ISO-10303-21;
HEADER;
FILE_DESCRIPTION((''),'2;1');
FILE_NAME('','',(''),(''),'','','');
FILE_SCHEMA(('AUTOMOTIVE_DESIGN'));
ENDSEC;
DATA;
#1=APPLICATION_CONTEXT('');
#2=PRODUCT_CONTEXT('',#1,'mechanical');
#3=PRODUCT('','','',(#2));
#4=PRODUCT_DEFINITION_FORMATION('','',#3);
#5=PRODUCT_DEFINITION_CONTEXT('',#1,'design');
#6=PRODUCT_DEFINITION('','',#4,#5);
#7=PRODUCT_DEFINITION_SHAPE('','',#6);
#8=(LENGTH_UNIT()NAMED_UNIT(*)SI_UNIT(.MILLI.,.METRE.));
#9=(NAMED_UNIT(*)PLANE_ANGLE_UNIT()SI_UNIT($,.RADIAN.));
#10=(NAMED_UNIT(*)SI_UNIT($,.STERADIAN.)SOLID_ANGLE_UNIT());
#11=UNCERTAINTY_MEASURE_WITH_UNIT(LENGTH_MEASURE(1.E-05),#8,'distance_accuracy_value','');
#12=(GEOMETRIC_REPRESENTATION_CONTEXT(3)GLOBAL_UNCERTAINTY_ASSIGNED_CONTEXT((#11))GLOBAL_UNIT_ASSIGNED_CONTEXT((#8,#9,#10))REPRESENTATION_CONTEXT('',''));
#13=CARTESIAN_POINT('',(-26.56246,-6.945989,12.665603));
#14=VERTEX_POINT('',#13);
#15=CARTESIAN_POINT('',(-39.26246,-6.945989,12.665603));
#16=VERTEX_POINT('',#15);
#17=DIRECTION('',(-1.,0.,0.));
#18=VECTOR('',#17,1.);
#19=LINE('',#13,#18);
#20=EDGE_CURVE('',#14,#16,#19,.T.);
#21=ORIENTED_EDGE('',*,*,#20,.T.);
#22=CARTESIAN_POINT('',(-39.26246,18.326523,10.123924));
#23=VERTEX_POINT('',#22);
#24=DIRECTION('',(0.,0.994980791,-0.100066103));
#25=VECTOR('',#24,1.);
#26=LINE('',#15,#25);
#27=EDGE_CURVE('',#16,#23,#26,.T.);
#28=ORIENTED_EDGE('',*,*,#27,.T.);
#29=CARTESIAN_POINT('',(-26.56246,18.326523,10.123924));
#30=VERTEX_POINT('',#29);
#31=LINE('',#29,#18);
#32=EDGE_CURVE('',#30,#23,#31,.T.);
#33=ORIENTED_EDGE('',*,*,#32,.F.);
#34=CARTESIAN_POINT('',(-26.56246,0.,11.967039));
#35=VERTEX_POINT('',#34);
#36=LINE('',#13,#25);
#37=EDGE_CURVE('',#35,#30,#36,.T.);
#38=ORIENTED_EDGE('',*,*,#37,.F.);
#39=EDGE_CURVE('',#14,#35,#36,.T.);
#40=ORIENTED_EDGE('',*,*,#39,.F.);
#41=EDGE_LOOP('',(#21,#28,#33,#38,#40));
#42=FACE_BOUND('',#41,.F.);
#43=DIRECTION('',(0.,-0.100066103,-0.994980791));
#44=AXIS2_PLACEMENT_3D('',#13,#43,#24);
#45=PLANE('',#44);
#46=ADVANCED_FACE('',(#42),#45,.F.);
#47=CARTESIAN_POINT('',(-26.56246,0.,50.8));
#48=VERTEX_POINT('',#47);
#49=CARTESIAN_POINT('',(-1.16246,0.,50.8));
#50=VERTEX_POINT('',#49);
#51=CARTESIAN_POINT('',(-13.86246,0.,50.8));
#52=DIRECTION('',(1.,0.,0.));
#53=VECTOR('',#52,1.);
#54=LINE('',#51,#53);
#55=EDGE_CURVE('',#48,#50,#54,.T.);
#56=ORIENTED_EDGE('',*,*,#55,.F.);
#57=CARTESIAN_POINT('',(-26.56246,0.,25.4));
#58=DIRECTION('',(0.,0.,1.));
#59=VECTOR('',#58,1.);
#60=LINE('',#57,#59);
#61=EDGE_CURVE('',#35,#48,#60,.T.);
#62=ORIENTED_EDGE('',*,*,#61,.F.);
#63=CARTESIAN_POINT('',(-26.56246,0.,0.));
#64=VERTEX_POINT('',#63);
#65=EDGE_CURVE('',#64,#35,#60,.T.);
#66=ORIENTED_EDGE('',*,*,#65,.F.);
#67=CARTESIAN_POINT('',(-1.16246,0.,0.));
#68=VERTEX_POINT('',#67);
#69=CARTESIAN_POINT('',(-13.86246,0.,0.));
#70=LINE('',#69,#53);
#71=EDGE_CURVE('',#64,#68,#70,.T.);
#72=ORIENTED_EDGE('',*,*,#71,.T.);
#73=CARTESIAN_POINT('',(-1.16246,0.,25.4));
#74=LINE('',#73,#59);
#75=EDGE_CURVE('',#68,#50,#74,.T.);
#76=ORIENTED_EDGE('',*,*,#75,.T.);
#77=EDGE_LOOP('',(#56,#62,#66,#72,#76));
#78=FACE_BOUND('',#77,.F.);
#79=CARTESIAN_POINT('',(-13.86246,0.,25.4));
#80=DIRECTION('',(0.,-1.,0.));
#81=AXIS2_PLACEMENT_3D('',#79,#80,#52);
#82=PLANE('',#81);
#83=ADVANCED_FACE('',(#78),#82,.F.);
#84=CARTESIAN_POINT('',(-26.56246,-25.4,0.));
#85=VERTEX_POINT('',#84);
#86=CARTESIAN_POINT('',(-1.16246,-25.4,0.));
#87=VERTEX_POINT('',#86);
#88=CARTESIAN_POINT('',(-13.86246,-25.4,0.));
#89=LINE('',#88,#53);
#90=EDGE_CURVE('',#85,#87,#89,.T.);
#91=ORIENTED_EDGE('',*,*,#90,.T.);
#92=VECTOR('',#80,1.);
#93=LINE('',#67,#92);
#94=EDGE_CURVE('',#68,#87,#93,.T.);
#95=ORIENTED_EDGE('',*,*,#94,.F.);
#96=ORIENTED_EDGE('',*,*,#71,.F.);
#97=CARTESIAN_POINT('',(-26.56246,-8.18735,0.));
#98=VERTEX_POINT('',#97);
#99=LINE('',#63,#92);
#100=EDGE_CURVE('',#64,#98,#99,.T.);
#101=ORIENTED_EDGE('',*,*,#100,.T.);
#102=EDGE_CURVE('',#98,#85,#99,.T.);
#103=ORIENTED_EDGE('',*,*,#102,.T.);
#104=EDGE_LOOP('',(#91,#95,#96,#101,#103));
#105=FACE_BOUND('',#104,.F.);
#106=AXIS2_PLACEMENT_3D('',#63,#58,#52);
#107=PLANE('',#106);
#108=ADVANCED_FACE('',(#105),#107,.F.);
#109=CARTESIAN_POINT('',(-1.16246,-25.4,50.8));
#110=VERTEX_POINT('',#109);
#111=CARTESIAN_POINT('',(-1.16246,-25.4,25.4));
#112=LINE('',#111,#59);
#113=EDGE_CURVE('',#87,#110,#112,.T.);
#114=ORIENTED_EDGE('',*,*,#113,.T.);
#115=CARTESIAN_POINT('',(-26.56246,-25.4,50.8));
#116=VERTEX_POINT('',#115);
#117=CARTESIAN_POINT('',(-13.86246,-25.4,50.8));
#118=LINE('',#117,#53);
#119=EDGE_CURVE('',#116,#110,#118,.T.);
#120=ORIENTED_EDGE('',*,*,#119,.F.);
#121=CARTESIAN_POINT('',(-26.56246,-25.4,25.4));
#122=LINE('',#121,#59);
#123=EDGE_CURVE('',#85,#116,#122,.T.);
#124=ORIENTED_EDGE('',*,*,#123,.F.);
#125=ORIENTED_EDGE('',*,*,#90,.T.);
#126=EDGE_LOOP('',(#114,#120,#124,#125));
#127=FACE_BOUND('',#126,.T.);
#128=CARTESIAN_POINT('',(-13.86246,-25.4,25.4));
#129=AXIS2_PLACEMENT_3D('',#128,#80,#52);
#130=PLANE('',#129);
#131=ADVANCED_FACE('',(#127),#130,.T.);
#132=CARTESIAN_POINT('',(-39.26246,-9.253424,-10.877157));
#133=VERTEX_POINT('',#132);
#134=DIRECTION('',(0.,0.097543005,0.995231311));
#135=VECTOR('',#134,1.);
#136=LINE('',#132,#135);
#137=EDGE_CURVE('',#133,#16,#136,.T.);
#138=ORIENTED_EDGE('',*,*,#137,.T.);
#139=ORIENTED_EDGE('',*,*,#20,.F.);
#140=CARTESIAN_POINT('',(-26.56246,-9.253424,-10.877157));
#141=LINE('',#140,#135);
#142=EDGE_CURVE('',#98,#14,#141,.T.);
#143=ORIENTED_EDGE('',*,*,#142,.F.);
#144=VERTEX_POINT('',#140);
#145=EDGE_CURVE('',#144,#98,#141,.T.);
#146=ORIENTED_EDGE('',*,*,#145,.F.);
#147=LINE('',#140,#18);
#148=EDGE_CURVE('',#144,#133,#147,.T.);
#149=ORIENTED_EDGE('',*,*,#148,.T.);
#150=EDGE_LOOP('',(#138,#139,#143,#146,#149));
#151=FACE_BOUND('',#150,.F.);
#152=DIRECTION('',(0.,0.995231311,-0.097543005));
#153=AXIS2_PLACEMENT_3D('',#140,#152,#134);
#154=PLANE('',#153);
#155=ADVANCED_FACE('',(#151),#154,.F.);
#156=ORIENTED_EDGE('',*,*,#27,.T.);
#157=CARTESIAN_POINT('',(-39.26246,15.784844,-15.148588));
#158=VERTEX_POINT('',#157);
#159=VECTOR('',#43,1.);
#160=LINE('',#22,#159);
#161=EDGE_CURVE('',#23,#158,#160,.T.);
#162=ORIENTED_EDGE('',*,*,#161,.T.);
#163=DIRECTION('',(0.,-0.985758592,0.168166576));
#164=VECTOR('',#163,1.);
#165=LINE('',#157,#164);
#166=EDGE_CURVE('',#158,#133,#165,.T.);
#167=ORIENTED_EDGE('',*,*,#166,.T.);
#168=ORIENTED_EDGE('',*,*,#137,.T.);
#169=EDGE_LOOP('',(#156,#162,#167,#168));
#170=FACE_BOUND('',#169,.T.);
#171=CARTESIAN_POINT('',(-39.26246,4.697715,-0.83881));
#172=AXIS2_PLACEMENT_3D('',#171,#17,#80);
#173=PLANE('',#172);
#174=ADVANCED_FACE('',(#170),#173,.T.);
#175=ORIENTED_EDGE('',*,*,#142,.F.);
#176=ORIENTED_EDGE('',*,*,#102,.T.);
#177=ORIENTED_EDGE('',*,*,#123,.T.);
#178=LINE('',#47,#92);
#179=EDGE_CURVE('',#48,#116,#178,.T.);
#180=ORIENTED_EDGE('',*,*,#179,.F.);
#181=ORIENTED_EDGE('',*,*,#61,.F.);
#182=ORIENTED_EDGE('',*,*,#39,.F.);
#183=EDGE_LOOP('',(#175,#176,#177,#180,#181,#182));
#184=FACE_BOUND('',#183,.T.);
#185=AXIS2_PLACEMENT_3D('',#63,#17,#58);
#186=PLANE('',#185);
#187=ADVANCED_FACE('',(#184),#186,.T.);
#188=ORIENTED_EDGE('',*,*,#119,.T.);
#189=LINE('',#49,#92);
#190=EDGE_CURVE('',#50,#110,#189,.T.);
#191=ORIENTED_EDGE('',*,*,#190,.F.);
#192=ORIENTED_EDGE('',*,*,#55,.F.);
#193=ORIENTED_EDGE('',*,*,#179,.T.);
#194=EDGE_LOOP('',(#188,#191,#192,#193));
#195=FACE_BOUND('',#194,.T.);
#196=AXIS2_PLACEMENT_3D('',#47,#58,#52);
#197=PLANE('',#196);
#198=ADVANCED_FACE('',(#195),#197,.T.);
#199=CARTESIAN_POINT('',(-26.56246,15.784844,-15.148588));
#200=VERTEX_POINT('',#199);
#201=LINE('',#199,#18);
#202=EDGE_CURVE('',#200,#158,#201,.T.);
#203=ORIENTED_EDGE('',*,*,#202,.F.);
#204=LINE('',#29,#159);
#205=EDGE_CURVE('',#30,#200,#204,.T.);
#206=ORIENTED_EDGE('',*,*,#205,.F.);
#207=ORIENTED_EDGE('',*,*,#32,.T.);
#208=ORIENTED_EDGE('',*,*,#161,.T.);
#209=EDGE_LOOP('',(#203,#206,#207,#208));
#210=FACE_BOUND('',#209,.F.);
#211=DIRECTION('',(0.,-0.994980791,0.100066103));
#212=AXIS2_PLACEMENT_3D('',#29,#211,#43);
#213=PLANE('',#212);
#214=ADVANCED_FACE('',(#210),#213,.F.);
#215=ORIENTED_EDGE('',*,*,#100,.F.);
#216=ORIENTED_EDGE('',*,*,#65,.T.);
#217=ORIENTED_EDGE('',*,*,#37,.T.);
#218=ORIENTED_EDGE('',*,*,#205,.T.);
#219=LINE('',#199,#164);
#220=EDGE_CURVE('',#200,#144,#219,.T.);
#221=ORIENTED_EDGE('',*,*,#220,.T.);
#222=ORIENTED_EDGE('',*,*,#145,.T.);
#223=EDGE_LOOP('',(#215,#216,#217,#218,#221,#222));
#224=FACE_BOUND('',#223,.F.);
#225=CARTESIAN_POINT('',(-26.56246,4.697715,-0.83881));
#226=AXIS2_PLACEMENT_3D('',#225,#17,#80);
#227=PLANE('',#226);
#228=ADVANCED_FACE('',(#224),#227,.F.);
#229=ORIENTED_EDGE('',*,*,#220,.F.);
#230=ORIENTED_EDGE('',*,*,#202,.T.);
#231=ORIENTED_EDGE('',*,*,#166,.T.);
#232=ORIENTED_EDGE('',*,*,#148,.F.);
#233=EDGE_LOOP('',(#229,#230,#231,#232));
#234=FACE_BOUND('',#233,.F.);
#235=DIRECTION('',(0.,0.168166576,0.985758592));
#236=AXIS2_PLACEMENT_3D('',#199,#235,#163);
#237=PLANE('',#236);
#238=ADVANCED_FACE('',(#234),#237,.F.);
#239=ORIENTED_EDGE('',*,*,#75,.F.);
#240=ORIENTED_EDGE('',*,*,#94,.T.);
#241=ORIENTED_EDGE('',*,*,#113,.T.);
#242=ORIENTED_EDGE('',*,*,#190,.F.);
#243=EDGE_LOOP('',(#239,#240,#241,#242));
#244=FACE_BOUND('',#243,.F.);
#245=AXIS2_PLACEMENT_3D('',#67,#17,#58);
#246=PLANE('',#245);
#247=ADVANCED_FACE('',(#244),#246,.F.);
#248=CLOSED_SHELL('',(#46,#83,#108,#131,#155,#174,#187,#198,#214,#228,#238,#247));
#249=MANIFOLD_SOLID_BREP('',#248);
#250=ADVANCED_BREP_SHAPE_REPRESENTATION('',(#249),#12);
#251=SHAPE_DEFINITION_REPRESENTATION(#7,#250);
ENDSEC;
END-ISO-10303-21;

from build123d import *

# Parameters (mm, degrees)
F0_W     = 25.4
F0_H     = 50.8
F1_DEPTH = 25.4
F3_DEPTH = 12.7


with BuildPart() as f1:
    # F0 (on Front) → F1 (new body)
    with BuildSketch(Plane.XZ):
        with Locations((-13.86246, 25.4)):
            Rectangle(F0_W, F0_H)
    extrude(amount=F1_DEPTH)

    # F2 (on face) → F3 (join)
    with BuildSketch(Plane(origin=(-26.56246, 0, 0), x_dir=(0, -1, 0), z_dir=(-1, 0, 0))):
        Polygon((9.253424, -10.877157), (6.945989, 12.665603), (-18.326523, 10.123924), (-15.784844, -15.148588), align=None)
    extrude(amount=F3_DEPTH)


solid = f1.part
